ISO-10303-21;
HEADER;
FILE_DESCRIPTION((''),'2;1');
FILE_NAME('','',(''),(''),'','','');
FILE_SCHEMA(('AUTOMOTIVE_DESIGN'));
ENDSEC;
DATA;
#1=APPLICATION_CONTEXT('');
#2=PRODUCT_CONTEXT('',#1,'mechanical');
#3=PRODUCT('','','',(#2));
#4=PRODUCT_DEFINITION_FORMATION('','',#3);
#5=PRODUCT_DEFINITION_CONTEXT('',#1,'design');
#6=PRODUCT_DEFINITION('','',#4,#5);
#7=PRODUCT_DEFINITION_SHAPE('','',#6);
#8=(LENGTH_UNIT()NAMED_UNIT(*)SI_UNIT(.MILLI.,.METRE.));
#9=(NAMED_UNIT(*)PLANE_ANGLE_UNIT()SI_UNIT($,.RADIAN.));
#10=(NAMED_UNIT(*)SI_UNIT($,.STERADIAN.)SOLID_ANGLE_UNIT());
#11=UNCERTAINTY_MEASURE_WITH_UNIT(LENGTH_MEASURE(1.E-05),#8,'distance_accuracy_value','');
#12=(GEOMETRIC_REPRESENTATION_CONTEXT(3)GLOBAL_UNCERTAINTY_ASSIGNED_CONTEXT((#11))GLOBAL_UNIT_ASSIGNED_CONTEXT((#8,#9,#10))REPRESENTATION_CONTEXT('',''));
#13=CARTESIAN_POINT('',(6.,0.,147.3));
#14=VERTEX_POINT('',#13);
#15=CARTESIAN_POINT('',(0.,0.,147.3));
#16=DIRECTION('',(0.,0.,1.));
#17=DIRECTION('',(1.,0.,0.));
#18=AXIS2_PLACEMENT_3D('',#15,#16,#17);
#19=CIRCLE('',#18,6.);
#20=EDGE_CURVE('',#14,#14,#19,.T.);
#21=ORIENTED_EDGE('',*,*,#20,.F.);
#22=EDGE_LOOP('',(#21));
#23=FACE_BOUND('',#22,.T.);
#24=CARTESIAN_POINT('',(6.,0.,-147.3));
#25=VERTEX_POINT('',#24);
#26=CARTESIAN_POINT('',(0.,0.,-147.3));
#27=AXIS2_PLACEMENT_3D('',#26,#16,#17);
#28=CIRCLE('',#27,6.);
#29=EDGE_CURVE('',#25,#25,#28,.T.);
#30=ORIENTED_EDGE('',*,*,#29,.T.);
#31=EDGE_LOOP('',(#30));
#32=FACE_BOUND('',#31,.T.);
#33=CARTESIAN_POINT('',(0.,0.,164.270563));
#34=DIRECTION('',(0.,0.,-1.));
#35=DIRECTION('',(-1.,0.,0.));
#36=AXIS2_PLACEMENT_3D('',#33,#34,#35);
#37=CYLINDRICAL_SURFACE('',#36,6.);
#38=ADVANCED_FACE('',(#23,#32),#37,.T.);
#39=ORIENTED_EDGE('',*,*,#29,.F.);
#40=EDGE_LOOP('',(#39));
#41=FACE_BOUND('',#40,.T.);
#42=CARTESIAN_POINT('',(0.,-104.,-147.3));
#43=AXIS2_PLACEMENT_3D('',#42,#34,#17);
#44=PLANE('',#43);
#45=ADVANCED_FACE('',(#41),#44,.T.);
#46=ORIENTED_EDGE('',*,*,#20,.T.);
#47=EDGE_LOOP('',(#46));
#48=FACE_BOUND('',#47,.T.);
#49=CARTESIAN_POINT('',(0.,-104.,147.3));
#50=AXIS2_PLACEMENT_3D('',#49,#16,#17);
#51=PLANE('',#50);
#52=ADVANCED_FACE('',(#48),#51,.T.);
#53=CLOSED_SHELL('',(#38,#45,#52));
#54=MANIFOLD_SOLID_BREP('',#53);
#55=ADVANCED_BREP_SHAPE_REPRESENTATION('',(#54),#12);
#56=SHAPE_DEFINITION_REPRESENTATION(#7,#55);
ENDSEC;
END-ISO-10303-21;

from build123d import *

# Parameters (mm, degrees)
SKETCH_1_R      = 6
EXTRUDE_1_DEPTH = 147.3


with BuildPart() as part:
    # Эскиз1 → Бобышка-Вытянуть1 (new body)
    with BuildSketch(Plane.XY):
        Circle(SKETCH_1_R)
    extrude(amount=EXTRUDE_1_DEPTH)

    # Зеркальное отражение1: part across plane


with BuildPart() as part_1:
    add(part.part)
    add(part.part.mirror(Plane.XY))


solid = part_1.part
